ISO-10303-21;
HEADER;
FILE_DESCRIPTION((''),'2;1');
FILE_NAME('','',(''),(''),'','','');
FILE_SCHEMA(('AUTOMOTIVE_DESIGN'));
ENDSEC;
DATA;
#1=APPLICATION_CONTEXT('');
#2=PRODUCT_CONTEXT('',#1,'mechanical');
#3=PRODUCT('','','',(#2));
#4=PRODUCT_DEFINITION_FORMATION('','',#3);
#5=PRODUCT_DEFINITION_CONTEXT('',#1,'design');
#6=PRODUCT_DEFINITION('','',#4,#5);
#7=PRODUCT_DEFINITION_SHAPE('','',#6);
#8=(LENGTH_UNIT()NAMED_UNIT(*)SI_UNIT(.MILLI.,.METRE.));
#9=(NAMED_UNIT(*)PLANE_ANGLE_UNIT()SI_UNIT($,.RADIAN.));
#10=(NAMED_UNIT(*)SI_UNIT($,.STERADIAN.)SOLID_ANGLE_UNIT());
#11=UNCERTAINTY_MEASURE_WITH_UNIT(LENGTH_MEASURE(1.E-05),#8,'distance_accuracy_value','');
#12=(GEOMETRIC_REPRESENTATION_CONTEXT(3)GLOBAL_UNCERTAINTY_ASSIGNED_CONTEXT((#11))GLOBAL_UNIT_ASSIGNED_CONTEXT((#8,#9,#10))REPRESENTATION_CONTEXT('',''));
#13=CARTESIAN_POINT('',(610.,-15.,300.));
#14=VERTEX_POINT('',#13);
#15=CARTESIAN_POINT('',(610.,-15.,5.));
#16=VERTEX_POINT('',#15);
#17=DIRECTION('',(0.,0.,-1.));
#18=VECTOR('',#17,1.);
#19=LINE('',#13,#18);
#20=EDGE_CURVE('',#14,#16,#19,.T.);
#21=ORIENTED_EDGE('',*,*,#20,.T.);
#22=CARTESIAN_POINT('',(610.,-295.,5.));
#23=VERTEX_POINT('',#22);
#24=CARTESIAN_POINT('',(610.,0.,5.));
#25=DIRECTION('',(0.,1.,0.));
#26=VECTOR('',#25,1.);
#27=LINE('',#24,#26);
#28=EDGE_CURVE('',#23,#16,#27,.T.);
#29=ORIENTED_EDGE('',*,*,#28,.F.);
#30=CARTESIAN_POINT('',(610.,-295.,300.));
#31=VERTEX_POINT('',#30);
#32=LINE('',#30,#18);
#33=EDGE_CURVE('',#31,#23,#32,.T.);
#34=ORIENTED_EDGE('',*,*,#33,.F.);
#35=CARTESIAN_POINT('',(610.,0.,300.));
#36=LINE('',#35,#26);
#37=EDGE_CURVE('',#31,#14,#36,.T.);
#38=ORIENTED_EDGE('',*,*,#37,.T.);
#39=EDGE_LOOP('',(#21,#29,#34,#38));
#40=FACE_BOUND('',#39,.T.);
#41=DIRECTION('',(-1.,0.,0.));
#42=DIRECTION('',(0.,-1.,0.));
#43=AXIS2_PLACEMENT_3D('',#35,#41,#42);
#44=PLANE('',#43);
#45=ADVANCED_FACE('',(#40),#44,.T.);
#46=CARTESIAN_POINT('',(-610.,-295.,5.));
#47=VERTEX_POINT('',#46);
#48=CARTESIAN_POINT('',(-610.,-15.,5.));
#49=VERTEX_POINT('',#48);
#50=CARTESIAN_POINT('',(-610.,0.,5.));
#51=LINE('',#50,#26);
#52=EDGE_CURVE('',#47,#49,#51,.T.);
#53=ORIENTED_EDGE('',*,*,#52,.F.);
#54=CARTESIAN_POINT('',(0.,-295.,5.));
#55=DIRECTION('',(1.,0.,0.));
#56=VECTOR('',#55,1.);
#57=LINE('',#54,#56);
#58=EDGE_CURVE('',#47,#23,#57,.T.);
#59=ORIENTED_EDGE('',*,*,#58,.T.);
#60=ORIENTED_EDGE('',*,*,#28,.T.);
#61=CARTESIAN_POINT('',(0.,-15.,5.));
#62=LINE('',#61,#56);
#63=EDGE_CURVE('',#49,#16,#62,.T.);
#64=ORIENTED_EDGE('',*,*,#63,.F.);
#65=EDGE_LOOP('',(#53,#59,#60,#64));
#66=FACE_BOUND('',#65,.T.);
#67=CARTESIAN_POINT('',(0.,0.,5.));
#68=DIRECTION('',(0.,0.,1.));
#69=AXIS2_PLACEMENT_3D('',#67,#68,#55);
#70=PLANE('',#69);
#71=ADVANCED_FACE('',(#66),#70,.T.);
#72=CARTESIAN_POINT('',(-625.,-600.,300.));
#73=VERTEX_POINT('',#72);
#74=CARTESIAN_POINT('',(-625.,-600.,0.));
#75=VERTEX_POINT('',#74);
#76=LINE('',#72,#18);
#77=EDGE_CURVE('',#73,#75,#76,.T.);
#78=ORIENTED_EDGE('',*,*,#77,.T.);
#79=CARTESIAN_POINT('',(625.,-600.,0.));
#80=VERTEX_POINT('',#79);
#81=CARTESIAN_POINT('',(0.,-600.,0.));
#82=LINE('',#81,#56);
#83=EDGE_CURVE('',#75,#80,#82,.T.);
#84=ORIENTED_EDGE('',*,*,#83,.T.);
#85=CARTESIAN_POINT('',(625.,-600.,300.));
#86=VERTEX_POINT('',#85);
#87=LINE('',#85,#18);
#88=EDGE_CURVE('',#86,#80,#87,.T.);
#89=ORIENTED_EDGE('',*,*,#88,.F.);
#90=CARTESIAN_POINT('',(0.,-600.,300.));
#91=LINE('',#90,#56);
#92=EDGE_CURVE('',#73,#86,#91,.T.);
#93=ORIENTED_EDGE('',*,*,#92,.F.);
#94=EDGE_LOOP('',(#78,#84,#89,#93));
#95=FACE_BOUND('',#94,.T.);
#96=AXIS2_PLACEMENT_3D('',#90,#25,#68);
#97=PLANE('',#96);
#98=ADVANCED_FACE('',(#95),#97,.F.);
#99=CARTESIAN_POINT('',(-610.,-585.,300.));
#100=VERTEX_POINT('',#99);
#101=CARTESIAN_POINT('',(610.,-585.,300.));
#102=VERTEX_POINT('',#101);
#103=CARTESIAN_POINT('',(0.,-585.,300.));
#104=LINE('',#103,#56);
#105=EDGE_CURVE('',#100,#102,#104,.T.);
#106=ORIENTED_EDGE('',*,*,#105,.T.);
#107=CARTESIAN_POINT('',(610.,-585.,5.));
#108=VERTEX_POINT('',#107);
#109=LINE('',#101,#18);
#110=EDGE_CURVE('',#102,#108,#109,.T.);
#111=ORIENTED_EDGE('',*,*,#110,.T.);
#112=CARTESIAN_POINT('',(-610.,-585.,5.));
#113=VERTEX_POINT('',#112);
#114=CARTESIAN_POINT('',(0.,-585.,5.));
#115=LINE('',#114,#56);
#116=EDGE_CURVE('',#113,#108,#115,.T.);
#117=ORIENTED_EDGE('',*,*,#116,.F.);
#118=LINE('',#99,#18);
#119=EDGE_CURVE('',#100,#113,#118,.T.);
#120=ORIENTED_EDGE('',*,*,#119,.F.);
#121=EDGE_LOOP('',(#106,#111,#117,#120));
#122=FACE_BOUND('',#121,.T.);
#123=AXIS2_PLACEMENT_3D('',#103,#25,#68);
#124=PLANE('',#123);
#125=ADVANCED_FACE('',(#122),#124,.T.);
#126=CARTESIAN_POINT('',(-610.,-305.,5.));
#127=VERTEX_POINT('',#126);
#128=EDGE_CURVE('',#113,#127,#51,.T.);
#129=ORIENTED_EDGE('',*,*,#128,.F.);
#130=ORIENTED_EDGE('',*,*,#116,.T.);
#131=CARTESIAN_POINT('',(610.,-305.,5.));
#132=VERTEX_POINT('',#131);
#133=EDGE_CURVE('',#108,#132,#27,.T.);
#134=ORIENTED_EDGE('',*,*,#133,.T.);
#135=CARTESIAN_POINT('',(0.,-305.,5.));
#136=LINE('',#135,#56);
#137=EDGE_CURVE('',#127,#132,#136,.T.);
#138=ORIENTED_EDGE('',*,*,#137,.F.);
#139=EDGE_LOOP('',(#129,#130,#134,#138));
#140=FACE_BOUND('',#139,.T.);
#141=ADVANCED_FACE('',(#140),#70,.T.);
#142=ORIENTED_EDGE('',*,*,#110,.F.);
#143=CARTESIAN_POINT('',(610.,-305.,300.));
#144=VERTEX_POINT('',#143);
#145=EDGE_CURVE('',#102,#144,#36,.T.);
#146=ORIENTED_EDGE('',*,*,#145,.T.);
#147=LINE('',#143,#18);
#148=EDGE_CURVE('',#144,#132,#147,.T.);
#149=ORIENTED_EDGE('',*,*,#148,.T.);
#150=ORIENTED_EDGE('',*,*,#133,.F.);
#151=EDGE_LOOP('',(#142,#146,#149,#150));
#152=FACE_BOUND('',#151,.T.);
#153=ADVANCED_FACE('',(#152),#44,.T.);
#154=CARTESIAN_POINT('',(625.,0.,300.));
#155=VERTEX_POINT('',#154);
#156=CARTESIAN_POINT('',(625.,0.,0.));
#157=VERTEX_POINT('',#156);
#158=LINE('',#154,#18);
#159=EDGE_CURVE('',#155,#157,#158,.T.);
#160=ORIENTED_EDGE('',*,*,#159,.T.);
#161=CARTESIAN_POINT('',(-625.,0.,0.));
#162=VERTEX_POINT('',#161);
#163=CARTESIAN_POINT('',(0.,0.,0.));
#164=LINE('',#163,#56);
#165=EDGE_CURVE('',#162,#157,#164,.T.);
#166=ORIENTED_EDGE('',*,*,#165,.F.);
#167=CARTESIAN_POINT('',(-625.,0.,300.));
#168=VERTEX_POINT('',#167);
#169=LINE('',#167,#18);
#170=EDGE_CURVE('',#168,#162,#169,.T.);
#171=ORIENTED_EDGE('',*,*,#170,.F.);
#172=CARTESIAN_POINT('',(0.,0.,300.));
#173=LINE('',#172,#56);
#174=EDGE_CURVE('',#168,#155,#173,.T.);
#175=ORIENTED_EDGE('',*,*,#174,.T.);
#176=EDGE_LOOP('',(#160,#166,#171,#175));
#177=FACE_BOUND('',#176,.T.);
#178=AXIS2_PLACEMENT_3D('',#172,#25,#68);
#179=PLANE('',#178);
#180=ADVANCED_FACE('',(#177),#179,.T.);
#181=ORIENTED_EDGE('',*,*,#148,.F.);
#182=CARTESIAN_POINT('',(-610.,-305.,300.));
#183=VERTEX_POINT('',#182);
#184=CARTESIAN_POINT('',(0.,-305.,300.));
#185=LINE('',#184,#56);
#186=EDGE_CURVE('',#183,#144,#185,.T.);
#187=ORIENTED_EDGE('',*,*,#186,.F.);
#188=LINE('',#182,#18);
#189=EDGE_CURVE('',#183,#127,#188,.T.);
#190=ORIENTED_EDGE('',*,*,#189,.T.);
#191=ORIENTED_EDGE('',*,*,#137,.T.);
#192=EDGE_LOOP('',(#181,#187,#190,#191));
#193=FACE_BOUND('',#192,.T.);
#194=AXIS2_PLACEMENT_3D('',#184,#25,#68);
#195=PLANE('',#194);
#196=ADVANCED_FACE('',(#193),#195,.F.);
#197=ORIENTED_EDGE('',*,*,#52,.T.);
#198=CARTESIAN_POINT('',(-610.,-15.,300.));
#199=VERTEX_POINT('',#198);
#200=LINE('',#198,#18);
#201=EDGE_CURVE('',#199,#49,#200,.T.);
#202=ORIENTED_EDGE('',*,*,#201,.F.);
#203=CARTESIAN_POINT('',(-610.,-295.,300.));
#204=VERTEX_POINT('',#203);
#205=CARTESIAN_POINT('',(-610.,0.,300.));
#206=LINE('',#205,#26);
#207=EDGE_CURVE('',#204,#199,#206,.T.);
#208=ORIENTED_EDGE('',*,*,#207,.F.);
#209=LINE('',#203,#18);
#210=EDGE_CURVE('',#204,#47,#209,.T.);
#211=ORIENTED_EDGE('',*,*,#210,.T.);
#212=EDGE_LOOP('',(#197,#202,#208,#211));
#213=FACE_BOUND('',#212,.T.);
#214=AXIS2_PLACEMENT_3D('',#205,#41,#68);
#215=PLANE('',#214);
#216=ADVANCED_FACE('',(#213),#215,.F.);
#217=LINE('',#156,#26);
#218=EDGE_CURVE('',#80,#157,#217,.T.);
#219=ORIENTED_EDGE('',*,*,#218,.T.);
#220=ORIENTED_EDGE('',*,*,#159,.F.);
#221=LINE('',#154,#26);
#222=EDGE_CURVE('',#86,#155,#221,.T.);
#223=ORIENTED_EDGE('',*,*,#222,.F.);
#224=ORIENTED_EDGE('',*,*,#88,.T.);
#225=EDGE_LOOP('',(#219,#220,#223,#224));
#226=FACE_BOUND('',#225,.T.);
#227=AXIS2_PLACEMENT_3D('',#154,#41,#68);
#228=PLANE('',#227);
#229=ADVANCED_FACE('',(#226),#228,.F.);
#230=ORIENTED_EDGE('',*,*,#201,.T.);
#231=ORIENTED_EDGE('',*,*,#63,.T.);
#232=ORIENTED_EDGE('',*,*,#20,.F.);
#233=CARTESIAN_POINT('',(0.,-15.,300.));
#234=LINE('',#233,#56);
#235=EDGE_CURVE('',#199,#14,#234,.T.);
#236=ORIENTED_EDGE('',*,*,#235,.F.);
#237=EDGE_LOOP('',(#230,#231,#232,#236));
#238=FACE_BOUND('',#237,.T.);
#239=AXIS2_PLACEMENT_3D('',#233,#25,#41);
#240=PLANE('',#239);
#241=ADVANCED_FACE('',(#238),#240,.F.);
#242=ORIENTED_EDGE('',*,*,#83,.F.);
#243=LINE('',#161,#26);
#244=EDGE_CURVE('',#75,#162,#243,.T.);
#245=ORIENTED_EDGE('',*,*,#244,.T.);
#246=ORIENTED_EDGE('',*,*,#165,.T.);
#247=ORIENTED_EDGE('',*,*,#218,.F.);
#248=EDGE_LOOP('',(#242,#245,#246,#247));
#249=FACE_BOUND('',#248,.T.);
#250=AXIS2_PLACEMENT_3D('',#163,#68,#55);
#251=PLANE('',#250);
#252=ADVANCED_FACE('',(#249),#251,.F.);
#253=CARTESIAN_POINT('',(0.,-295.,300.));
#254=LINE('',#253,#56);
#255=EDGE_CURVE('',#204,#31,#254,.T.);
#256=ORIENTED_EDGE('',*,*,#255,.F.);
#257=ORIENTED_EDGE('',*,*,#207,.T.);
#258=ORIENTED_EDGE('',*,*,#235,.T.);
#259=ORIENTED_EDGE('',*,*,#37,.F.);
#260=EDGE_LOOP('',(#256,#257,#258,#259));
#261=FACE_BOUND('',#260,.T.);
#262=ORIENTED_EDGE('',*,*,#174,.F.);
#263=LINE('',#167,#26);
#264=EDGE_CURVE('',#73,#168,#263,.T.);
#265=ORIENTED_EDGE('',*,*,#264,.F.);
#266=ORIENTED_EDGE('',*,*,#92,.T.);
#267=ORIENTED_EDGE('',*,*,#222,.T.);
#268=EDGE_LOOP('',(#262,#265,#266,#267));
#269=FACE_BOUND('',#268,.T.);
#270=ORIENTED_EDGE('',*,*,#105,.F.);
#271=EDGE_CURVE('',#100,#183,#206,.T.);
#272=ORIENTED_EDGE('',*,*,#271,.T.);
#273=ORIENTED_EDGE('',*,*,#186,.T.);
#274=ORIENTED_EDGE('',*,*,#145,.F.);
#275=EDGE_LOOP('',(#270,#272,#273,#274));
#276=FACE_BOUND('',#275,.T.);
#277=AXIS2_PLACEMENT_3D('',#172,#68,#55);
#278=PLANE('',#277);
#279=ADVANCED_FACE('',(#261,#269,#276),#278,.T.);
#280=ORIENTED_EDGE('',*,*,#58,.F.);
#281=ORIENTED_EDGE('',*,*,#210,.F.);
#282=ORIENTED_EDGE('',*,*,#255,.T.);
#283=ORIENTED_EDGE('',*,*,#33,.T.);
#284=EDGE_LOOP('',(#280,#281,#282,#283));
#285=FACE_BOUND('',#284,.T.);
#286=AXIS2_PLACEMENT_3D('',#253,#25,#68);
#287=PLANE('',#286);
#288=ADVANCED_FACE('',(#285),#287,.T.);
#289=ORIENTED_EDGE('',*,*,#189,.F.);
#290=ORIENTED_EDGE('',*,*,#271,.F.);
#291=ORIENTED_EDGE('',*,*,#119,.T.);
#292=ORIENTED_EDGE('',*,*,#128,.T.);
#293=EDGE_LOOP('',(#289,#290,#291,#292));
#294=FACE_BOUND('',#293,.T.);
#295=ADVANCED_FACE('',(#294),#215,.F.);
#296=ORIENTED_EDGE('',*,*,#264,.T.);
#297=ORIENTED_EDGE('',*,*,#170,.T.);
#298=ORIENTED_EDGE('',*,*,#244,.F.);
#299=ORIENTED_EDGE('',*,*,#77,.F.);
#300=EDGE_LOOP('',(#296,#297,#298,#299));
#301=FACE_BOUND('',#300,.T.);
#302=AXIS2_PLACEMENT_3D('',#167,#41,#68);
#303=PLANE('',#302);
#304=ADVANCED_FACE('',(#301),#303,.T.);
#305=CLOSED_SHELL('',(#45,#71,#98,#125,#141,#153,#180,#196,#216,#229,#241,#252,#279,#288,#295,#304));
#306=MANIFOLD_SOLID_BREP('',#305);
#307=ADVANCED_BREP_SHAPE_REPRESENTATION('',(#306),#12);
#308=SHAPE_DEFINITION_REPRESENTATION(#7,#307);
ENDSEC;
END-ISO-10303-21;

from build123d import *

# Parameters (mm, degrees)
SKETCH1_W           = 1250
SKETCH1_H           = 600
SKETCH1_W_2         = 1220
SKETCH1_H_2         = 570
SKETCH1_H_3         = 5
BOSS_EXTRUDE1_DEPTH = 300
SKETCH2_W           = 1250
SKETCH2_H           = 600
BOSS_EXTRUDE2_DEPTH = 5


with BuildPart() as part:
    # Sketch1 → Boss-Extrude1 (new body)
    # profile 1 of 3: a face of its own
    with BuildSketch(Plane.XY):
        with Locations((0, -300)):
            Rectangle(SKETCH1_W, SKETCH1_H)
        with Locations((0, -300)):
            Rectangle(SKETCH1_W_2, SKETCH1_H_2, mode=Mode.SUBTRACT)
    # profile 2 of 3: a face of its own
    with BuildSketch(Plane.XY):
        with Locations((0, -302.5)):
            Rectangle(SKETCH1_W_2, SKETCH1_H_3)
    # profile 3 of 3: a face of its own
    with BuildSketch(Plane.XY):
        with Locations((0, -297.5)):
            Rectangle(SKETCH1_W_2, SKETCH1_H_3)
    extrude(amount=BOSS_EXTRUDE1_DEPTH)

    # Sketch2 → Boss-Extrude2 (add)
    with BuildSketch(Plane(origin=(0, 0, 0), x_dir=(-1, 0, 0), z_dir=(0, 0, -1))):
        with Locations((0, -300)):
            Rectangle(SKETCH2_W, SKETCH2_H)
    extrude(amount=-BOSS_EXTRUDE2_DEPTH)


solid = part.part
